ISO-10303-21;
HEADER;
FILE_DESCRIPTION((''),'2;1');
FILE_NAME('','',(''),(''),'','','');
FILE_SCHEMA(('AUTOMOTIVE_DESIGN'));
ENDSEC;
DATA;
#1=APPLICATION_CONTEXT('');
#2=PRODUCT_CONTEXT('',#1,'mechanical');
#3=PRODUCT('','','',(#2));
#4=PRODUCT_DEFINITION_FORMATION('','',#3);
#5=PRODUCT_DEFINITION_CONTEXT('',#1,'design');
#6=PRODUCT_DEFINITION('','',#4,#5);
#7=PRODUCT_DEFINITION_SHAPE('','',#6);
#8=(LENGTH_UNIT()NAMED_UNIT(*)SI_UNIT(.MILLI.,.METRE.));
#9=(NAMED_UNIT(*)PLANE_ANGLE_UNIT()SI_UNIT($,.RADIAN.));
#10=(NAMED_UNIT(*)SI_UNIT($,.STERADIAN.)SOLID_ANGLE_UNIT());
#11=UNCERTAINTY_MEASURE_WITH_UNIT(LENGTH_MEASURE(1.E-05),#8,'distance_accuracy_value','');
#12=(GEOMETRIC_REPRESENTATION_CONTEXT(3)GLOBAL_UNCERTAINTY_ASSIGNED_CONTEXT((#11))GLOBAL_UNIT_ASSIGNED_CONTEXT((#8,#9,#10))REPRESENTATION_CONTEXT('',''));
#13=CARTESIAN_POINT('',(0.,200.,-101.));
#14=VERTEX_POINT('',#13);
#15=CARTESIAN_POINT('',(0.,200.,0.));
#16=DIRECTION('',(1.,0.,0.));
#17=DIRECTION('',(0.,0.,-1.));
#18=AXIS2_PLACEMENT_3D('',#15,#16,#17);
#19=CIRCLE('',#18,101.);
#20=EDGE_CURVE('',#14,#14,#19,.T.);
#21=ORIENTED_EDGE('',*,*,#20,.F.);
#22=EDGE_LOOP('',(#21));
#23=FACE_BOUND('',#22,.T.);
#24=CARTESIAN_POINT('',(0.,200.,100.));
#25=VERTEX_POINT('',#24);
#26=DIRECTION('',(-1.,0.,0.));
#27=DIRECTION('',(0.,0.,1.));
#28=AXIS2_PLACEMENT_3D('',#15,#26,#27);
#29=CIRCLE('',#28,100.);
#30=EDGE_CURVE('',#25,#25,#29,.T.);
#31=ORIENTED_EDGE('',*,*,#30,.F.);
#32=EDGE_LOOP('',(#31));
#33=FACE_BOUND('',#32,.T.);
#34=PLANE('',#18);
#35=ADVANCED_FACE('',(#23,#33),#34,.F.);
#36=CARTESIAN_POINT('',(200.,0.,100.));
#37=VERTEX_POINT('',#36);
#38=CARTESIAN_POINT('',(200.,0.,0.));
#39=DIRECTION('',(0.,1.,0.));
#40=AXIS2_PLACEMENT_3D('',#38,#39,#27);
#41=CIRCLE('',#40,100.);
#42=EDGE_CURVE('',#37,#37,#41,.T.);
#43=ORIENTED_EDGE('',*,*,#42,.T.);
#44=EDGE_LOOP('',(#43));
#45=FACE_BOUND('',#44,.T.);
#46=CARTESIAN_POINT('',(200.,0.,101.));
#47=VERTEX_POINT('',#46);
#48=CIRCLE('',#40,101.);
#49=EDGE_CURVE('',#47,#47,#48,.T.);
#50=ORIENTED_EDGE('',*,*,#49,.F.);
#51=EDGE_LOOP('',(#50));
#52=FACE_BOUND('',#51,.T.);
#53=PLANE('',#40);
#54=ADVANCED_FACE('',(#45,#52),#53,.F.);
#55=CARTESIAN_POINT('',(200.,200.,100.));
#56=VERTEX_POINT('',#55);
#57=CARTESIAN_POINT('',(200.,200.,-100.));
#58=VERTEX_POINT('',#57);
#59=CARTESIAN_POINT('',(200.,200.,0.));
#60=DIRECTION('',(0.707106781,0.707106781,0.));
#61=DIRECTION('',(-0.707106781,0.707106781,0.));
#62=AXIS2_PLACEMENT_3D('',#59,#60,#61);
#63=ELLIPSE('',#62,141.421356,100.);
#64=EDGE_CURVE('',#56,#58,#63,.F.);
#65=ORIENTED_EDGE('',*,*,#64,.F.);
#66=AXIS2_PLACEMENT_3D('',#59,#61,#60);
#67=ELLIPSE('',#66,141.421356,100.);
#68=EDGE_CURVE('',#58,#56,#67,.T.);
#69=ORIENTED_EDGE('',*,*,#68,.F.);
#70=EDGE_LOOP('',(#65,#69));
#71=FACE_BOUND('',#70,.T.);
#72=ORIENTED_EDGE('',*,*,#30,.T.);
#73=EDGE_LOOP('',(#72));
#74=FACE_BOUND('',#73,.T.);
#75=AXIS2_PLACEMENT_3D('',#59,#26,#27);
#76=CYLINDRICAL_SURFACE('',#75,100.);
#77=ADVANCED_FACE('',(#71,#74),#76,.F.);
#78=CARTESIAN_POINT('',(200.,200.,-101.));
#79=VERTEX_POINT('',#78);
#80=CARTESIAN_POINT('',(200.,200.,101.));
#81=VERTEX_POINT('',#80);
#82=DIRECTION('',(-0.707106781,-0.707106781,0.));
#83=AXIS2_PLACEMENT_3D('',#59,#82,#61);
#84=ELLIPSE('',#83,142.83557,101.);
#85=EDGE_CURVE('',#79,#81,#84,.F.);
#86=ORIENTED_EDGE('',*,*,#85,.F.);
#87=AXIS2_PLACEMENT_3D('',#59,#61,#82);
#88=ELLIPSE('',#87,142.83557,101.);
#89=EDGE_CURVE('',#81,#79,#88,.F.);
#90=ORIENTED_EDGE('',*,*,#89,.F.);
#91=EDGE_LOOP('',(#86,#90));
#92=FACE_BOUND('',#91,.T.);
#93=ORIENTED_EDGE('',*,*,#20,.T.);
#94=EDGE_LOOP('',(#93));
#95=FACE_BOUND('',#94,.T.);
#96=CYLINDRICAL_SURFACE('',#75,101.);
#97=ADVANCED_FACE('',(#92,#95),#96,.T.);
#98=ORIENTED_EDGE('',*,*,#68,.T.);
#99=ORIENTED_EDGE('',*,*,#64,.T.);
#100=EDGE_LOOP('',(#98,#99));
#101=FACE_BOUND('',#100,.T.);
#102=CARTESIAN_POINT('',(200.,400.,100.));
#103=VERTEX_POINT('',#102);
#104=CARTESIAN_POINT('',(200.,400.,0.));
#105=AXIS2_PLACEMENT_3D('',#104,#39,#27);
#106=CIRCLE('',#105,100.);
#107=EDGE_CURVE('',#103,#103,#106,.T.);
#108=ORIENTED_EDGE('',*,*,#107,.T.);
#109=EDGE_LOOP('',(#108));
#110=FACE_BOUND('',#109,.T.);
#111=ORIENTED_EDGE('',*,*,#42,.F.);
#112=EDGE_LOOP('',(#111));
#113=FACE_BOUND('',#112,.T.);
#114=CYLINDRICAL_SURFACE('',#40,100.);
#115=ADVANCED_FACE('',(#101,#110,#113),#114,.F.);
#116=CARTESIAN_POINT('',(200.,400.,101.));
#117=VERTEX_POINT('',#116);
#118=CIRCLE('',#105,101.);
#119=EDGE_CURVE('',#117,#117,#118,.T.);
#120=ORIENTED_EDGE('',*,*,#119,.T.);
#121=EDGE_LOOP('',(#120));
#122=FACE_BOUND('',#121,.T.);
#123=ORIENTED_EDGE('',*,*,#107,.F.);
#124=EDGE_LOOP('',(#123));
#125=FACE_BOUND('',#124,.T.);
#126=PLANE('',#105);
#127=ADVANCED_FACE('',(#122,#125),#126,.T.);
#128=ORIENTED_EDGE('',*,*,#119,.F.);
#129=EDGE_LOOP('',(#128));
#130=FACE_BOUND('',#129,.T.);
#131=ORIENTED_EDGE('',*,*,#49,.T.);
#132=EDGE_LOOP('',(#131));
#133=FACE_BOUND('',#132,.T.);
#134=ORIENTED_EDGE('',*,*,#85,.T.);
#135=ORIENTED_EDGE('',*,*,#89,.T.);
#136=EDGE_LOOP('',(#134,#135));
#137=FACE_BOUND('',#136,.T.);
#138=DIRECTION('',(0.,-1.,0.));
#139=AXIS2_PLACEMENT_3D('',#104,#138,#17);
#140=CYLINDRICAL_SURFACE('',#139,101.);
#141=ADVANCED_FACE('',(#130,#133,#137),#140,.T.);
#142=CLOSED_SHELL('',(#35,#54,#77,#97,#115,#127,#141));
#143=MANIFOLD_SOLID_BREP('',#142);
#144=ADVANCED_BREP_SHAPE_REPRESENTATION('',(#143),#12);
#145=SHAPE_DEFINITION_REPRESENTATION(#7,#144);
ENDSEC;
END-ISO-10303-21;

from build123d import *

# Parameters (mm, degrees)
SKETCH10_R          = 101
BOSS_EXTRUDE5_DEPTH = 200
SKETCH5_R           = 101
BOSS_EXTRUDE6_DEPTH = 400
SKETCH11_R          = 100
CUT_EXTRUDE1_DEPTH  = 400
SKETCH12_R          = 100
CUT_EXTRUDE2_DEPTH  = 200


with BuildPart() as part:
    # Sketch10 → Boss-Extrude5 (new body)
    with BuildSketch(Plane(origin=(0, 0, 0), x_dir=(0, 0, -1), z_dir=(1, 0, 0))):
        with Locations((0, 200)):
            Circle(SKETCH10_R)
    extrude(amount=BOSS_EXTRUDE5_DEPTH)

    # Sketch5 → Boss-Extrude6 (add)
    with BuildSketch(Plane(origin=(0, 0, 0), x_dir=(1, 0, 0), z_dir=(0, 1, 0))):
        with Locations((200, 0)):
            Circle(SKETCH5_R)
    extrude(amount=BOSS_EXTRUDE6_DEPTH)

    # Sketch11 → Cut-Extrude1 (cut)
    with BuildSketch(Plane(origin=(0, 400, 0), x_dir=(1, 0, 0), z_dir=(0, 1, 0))):
        with Locations((200, 0)):
            Circle(SKETCH11_R)
    extrude(amount=-CUT_EXTRUDE1_DEPTH, mode=Mode.SUBTRACT)

    # Sketch12 → Cut-Extrude2 (cut)
    with BuildSketch(Plane.ZY):
        with Locations((0, 200)):
            Circle(SKETCH12_R)
    extrude(amount=-CUT_EXTRUDE2_DEPTH, mode=Mode.SUBTRACT)


solid = part.part
